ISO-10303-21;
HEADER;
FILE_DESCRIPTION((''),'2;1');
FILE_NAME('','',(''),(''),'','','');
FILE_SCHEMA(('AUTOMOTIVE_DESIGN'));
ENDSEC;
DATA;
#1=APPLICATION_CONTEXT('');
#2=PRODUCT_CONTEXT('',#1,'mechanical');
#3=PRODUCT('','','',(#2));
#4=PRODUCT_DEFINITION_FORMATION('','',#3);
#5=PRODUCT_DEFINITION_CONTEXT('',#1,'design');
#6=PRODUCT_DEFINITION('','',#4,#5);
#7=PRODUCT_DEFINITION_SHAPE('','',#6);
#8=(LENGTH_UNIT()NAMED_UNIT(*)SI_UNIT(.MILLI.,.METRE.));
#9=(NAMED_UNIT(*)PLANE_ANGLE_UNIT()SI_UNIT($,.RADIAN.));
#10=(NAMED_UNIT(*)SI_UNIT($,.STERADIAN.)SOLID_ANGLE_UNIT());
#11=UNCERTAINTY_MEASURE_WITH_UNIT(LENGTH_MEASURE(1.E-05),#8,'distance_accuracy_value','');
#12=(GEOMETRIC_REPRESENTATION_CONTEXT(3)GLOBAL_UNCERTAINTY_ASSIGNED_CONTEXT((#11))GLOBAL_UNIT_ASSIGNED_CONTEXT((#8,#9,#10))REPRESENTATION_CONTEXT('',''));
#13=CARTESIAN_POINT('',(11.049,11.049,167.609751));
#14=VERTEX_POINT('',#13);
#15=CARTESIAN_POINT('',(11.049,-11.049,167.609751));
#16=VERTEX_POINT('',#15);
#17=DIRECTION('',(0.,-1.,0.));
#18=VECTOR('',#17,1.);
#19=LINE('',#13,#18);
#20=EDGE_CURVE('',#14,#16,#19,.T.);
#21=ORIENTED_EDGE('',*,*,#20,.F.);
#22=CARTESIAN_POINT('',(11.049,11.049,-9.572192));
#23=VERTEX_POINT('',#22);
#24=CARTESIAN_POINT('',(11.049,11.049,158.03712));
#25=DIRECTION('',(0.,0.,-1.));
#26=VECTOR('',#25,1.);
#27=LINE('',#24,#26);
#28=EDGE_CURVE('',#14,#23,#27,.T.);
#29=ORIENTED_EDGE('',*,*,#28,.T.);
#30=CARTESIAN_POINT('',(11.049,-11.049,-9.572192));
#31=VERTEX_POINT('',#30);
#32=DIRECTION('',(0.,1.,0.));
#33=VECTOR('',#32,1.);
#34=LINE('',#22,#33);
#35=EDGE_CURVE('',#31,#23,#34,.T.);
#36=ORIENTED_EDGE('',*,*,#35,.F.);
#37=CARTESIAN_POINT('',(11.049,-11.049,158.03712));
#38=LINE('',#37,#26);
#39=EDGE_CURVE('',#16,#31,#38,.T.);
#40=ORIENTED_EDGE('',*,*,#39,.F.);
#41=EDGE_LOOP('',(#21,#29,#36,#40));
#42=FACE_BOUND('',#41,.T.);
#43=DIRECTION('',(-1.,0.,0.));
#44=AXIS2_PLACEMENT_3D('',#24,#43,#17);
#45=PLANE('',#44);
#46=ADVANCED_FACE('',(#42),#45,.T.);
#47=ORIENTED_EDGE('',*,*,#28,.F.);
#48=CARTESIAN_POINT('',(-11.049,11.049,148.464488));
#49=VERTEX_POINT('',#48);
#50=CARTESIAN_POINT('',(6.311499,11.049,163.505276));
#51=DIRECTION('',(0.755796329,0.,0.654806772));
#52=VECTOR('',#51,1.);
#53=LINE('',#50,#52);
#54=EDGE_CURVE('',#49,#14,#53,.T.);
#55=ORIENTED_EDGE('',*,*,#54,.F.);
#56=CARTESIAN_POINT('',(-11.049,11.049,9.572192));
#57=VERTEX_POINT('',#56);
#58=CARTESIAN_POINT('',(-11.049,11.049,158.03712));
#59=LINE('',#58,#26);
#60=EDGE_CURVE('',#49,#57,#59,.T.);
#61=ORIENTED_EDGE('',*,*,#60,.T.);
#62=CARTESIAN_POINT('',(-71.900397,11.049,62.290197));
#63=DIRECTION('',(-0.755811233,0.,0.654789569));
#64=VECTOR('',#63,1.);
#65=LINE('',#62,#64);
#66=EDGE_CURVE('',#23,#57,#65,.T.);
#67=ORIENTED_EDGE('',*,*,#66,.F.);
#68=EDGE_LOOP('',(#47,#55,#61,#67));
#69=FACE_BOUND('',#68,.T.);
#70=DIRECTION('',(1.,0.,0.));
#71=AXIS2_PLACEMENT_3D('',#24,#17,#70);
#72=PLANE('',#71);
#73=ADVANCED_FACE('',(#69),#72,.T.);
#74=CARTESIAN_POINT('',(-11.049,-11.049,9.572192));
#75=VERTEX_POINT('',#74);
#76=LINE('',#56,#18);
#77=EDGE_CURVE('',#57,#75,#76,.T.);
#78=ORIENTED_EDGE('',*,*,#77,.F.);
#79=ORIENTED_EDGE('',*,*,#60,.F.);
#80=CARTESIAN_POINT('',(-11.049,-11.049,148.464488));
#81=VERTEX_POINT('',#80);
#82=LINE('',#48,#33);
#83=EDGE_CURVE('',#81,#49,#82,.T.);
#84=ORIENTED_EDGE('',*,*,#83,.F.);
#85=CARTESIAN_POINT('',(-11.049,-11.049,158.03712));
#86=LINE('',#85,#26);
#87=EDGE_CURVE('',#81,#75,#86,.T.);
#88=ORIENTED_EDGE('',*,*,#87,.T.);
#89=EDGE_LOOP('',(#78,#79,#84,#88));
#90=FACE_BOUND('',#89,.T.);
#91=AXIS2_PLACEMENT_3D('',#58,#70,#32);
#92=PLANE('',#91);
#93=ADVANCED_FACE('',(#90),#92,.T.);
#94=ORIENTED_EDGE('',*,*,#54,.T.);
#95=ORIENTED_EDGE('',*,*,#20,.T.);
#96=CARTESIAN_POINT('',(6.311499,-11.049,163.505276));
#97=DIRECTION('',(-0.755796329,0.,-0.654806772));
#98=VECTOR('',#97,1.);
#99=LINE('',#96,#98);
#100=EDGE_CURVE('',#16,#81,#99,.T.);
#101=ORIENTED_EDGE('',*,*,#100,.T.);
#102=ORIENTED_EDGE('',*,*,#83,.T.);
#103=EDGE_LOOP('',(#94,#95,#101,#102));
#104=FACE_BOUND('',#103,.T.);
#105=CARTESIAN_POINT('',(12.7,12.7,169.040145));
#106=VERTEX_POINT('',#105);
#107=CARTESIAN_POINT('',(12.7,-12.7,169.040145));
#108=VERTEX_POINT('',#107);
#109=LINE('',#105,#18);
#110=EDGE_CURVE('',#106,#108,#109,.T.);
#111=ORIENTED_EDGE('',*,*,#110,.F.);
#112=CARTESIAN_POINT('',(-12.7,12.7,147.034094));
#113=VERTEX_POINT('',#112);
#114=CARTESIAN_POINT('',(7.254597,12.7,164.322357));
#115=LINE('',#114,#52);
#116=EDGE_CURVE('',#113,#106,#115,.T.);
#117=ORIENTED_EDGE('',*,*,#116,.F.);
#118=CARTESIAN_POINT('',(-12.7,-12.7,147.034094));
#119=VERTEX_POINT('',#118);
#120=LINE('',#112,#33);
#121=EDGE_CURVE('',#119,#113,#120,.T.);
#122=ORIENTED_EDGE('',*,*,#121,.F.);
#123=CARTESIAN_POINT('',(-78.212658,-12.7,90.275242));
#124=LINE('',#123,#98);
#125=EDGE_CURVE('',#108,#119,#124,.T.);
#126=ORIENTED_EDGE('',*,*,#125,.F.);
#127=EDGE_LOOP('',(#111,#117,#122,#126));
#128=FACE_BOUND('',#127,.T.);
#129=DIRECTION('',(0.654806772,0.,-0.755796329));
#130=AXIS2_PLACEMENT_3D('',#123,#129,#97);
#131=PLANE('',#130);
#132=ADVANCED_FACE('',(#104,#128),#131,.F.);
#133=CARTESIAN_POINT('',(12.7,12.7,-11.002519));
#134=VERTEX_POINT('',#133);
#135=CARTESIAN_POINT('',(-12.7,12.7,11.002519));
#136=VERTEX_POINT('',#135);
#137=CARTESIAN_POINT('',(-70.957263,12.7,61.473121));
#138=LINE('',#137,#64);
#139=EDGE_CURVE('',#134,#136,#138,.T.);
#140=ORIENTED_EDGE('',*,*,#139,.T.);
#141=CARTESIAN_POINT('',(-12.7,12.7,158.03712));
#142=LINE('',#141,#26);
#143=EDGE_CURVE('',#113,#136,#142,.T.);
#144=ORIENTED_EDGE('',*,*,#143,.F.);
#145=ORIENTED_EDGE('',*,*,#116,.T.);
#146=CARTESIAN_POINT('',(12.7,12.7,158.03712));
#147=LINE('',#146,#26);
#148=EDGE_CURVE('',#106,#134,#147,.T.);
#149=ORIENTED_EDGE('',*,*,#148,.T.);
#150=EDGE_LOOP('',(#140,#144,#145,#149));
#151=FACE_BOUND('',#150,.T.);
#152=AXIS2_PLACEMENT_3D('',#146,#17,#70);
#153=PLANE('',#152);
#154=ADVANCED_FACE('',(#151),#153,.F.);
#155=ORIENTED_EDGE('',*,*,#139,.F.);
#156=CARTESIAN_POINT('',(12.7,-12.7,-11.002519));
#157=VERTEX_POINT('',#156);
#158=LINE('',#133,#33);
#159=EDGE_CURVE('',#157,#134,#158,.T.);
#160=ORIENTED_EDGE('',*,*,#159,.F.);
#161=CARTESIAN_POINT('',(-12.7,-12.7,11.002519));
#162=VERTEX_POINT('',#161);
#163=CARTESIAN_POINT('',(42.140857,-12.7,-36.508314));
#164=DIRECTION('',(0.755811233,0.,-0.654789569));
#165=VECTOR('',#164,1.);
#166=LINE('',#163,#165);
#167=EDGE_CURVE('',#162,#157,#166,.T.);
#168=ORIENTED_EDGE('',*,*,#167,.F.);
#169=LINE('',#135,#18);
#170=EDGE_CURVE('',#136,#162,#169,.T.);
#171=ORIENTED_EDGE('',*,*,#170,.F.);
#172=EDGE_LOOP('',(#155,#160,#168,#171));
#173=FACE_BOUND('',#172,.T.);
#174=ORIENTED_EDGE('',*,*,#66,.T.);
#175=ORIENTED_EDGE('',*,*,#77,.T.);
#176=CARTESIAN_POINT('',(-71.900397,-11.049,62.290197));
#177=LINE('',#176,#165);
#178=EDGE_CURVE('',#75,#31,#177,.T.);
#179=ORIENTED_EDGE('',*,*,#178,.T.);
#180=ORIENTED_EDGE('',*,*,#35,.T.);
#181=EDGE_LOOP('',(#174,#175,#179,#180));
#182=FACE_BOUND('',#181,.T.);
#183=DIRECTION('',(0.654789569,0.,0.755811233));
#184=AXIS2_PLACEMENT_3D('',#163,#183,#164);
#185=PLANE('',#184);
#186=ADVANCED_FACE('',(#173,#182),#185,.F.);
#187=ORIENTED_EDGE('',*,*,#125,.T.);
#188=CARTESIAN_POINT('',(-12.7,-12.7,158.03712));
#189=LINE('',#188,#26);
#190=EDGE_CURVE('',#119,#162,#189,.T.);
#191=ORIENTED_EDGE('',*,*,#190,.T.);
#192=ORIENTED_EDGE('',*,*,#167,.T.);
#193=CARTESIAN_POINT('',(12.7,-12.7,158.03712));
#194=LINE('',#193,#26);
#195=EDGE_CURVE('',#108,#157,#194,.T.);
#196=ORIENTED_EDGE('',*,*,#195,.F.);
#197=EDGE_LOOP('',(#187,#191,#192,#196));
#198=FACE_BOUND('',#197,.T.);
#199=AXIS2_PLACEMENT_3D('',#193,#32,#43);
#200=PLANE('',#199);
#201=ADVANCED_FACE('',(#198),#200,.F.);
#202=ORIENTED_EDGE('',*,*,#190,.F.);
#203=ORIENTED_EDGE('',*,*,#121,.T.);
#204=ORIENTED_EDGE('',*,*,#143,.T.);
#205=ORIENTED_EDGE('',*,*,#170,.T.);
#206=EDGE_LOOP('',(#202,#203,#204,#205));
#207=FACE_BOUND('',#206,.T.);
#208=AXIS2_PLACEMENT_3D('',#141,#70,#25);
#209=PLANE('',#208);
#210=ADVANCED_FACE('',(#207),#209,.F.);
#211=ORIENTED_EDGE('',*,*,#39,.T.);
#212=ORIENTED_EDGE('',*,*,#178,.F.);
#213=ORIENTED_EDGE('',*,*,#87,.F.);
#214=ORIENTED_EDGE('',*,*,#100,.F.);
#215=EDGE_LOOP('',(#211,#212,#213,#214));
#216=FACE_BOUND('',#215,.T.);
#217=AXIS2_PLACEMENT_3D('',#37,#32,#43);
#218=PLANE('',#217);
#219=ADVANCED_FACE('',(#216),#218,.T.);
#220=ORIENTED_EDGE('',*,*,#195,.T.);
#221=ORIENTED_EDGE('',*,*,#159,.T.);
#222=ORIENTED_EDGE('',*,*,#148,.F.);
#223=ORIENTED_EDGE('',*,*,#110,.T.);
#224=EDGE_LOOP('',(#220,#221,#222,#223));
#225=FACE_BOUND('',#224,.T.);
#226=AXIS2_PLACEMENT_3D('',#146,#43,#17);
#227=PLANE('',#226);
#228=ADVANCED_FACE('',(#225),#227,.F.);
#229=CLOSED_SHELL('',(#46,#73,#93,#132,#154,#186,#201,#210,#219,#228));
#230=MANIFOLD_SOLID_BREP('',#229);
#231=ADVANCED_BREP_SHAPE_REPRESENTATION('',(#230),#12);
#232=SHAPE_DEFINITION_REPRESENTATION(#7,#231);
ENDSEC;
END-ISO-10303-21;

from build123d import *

# Parameters (mm, degrees)
SKETCH1_W           = 25.4
SKETCH1_H           = 25.4
SKETCH1_W_2         = 22.098
SKETCH1_H_2         = 22.098
BOSS_EXTRUDE1_DEPTH = 158.03712
SKETCH7_W           = 25.4
SKETCH7_H           = 25.4
SKETCH7_W_2         = 22.098
SKETCH7_H_2         = 22.098
BOSS_EXTRUDE2_DEPTH = 12.7
CUT_EXTRUDE1_DEPTH  = 36.4
SKETCH9_W           = 25.4
SKETCH9_H           = 25.4
SKETCH9_W_2         = 22.098
SKETCH9_H_2         = 22.098
BOSS_EXTRUDE3_DEPTH = 25.4
CUT_EXTRUDE2_DEPTH  = 36.4


with BuildPart() as part:
    # Sketch1 → Boss-Extrude1 (new body)
    with BuildSketch(Plane.XY):
        Rectangle(SKETCH1_W, SKETCH1_H)
        Rectangle(SKETCH1_W_2, SKETCH1_H_2, mode=Mode.SUBTRACT)
    extrude(amount=BOSS_EXTRUDE1_DEPTH)

    # Sketch7 → Boss-Extrude2 (add)
    with BuildSketch(Plane(origin=(0, 0, 0), x_dir=(-1, 0, 0), z_dir=(0, 0, -1))):
        Rectangle(SKETCH7_W, SKETCH7_H)
        Rectangle(SKETCH7_W_2, SKETCH7_H_2, mode=Mode.SUBTRACT)
    extrude(amount=BOSS_EXTRUDE2_DEPTH)

    # Sketch8 → Cut-Extrude1 (cut, through all)
    with BuildSketch(Plane(origin=(0, 22.7, 0), x_dir=(1, 0, 0), z_dir=(0, 1, 0))):
        Polygon((42.140856973, 36.508313653), (-34.628433436, -30), (-56.571600074, 82.773791124), align=None)
    extrude(amount=-CUT_EXTRUDE1_DEPTH, mode=Mode.SUBTRACT)

    # Sketch9 → Boss-Extrude3 (add)
    with BuildSketch(Plane.XY.offset(158.037119512)):
        Rectangle(SKETCH9_W, SKETCH9_H)
        Rectangle(SKETCH9_W_2, SKETCH9_H_2, mode=Mode.SUBTRACT)
    extrude(amount=BOSS_EXTRUDE3_DEPTH)

    # Sketch11 → Cut-Extrude2 (cut, through all)
    with BuildSketch(Plane(origin=(-388.03129279, 22.7, 553.337933672), x_dir=(-1, 0, 0), z_dir=(0, 1, 0))):
        Polygon((-356.047433406, -423.010988055), (-328.054453058, -334.045248583), (-413.969286498, -372.828656955), align=None)
    extrude(amount=-CUT_EXTRUDE2_DEPTH, mode=Mode.SUBTRACT)


solid = part.part
